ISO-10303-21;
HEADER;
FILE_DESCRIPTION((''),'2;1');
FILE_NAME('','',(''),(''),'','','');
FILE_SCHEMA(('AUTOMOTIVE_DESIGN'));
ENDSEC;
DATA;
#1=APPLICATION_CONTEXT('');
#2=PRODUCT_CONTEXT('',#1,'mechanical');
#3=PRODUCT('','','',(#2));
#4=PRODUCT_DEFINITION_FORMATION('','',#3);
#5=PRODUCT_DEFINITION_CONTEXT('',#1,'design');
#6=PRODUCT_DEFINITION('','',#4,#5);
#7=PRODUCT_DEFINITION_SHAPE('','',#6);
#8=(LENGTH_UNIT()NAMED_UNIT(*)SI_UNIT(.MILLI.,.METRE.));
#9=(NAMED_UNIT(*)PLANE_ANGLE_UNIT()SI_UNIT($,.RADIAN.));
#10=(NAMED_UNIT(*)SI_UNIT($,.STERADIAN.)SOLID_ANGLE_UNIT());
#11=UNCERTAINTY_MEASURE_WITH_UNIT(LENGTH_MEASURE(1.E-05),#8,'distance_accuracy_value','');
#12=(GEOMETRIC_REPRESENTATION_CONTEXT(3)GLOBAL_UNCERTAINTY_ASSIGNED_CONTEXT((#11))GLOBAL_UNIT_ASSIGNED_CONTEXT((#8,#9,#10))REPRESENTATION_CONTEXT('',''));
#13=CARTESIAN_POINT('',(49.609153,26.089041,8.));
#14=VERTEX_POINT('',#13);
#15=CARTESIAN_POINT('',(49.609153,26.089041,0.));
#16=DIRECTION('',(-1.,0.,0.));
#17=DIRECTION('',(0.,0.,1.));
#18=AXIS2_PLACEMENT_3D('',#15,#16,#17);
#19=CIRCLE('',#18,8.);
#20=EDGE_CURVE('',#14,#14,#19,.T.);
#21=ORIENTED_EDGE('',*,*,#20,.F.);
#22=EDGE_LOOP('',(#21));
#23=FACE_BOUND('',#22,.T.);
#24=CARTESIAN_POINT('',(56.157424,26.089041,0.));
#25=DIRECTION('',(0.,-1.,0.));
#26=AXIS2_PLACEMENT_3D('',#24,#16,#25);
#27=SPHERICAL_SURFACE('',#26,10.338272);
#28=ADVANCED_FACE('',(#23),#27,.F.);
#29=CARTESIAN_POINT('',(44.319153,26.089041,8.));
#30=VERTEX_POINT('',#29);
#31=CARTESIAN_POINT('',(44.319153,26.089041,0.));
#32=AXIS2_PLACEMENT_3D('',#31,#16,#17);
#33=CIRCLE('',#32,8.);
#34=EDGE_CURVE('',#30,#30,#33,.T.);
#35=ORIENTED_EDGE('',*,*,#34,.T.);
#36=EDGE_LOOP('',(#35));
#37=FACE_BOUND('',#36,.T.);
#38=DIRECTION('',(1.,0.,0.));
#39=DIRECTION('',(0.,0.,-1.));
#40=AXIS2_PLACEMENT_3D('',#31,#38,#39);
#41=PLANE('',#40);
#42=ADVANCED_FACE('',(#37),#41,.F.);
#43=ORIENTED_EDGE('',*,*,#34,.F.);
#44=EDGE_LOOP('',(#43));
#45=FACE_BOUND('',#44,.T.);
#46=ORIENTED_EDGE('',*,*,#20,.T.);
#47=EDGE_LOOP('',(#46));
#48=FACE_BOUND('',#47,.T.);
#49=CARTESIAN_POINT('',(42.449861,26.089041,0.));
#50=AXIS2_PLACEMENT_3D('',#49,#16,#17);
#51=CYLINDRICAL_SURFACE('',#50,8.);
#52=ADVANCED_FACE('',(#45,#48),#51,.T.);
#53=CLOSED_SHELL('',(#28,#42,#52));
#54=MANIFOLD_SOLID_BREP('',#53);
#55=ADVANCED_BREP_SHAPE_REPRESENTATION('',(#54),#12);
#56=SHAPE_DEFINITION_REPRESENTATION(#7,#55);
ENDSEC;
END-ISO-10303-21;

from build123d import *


with BuildPart() as part:
    # 草图1 → 旋转1 (revolve)
    with BuildSketch(Plane.XY, mode=Mode.PRIVATE) as revolve_1_sk:
        with BuildLine():
            Line((44.319152693, 26.089041149), (44.319152693, 34.089041149))
            Line((44.319152693, 34.089041149), (49.609152693, 34.089041149))
            ThreePointArc((49.609152693, 34.089041149), (46.814574888, 30.515216134), (45.819152693, 26.089041149))
            Line((45.819152693, 26.089041149), (44.319152693, 26.089041149))
        make_face()
    revolve(revolve_1_sk.sketch.rotate(Axis((42.449861114, 26.089041149, 0), (1, 0, 0)), 180), axis=Axis((42.449861114, 26.089041149, 0), (1, 0, 0)))  # turned: the seam where the file's is


solid = part.part
